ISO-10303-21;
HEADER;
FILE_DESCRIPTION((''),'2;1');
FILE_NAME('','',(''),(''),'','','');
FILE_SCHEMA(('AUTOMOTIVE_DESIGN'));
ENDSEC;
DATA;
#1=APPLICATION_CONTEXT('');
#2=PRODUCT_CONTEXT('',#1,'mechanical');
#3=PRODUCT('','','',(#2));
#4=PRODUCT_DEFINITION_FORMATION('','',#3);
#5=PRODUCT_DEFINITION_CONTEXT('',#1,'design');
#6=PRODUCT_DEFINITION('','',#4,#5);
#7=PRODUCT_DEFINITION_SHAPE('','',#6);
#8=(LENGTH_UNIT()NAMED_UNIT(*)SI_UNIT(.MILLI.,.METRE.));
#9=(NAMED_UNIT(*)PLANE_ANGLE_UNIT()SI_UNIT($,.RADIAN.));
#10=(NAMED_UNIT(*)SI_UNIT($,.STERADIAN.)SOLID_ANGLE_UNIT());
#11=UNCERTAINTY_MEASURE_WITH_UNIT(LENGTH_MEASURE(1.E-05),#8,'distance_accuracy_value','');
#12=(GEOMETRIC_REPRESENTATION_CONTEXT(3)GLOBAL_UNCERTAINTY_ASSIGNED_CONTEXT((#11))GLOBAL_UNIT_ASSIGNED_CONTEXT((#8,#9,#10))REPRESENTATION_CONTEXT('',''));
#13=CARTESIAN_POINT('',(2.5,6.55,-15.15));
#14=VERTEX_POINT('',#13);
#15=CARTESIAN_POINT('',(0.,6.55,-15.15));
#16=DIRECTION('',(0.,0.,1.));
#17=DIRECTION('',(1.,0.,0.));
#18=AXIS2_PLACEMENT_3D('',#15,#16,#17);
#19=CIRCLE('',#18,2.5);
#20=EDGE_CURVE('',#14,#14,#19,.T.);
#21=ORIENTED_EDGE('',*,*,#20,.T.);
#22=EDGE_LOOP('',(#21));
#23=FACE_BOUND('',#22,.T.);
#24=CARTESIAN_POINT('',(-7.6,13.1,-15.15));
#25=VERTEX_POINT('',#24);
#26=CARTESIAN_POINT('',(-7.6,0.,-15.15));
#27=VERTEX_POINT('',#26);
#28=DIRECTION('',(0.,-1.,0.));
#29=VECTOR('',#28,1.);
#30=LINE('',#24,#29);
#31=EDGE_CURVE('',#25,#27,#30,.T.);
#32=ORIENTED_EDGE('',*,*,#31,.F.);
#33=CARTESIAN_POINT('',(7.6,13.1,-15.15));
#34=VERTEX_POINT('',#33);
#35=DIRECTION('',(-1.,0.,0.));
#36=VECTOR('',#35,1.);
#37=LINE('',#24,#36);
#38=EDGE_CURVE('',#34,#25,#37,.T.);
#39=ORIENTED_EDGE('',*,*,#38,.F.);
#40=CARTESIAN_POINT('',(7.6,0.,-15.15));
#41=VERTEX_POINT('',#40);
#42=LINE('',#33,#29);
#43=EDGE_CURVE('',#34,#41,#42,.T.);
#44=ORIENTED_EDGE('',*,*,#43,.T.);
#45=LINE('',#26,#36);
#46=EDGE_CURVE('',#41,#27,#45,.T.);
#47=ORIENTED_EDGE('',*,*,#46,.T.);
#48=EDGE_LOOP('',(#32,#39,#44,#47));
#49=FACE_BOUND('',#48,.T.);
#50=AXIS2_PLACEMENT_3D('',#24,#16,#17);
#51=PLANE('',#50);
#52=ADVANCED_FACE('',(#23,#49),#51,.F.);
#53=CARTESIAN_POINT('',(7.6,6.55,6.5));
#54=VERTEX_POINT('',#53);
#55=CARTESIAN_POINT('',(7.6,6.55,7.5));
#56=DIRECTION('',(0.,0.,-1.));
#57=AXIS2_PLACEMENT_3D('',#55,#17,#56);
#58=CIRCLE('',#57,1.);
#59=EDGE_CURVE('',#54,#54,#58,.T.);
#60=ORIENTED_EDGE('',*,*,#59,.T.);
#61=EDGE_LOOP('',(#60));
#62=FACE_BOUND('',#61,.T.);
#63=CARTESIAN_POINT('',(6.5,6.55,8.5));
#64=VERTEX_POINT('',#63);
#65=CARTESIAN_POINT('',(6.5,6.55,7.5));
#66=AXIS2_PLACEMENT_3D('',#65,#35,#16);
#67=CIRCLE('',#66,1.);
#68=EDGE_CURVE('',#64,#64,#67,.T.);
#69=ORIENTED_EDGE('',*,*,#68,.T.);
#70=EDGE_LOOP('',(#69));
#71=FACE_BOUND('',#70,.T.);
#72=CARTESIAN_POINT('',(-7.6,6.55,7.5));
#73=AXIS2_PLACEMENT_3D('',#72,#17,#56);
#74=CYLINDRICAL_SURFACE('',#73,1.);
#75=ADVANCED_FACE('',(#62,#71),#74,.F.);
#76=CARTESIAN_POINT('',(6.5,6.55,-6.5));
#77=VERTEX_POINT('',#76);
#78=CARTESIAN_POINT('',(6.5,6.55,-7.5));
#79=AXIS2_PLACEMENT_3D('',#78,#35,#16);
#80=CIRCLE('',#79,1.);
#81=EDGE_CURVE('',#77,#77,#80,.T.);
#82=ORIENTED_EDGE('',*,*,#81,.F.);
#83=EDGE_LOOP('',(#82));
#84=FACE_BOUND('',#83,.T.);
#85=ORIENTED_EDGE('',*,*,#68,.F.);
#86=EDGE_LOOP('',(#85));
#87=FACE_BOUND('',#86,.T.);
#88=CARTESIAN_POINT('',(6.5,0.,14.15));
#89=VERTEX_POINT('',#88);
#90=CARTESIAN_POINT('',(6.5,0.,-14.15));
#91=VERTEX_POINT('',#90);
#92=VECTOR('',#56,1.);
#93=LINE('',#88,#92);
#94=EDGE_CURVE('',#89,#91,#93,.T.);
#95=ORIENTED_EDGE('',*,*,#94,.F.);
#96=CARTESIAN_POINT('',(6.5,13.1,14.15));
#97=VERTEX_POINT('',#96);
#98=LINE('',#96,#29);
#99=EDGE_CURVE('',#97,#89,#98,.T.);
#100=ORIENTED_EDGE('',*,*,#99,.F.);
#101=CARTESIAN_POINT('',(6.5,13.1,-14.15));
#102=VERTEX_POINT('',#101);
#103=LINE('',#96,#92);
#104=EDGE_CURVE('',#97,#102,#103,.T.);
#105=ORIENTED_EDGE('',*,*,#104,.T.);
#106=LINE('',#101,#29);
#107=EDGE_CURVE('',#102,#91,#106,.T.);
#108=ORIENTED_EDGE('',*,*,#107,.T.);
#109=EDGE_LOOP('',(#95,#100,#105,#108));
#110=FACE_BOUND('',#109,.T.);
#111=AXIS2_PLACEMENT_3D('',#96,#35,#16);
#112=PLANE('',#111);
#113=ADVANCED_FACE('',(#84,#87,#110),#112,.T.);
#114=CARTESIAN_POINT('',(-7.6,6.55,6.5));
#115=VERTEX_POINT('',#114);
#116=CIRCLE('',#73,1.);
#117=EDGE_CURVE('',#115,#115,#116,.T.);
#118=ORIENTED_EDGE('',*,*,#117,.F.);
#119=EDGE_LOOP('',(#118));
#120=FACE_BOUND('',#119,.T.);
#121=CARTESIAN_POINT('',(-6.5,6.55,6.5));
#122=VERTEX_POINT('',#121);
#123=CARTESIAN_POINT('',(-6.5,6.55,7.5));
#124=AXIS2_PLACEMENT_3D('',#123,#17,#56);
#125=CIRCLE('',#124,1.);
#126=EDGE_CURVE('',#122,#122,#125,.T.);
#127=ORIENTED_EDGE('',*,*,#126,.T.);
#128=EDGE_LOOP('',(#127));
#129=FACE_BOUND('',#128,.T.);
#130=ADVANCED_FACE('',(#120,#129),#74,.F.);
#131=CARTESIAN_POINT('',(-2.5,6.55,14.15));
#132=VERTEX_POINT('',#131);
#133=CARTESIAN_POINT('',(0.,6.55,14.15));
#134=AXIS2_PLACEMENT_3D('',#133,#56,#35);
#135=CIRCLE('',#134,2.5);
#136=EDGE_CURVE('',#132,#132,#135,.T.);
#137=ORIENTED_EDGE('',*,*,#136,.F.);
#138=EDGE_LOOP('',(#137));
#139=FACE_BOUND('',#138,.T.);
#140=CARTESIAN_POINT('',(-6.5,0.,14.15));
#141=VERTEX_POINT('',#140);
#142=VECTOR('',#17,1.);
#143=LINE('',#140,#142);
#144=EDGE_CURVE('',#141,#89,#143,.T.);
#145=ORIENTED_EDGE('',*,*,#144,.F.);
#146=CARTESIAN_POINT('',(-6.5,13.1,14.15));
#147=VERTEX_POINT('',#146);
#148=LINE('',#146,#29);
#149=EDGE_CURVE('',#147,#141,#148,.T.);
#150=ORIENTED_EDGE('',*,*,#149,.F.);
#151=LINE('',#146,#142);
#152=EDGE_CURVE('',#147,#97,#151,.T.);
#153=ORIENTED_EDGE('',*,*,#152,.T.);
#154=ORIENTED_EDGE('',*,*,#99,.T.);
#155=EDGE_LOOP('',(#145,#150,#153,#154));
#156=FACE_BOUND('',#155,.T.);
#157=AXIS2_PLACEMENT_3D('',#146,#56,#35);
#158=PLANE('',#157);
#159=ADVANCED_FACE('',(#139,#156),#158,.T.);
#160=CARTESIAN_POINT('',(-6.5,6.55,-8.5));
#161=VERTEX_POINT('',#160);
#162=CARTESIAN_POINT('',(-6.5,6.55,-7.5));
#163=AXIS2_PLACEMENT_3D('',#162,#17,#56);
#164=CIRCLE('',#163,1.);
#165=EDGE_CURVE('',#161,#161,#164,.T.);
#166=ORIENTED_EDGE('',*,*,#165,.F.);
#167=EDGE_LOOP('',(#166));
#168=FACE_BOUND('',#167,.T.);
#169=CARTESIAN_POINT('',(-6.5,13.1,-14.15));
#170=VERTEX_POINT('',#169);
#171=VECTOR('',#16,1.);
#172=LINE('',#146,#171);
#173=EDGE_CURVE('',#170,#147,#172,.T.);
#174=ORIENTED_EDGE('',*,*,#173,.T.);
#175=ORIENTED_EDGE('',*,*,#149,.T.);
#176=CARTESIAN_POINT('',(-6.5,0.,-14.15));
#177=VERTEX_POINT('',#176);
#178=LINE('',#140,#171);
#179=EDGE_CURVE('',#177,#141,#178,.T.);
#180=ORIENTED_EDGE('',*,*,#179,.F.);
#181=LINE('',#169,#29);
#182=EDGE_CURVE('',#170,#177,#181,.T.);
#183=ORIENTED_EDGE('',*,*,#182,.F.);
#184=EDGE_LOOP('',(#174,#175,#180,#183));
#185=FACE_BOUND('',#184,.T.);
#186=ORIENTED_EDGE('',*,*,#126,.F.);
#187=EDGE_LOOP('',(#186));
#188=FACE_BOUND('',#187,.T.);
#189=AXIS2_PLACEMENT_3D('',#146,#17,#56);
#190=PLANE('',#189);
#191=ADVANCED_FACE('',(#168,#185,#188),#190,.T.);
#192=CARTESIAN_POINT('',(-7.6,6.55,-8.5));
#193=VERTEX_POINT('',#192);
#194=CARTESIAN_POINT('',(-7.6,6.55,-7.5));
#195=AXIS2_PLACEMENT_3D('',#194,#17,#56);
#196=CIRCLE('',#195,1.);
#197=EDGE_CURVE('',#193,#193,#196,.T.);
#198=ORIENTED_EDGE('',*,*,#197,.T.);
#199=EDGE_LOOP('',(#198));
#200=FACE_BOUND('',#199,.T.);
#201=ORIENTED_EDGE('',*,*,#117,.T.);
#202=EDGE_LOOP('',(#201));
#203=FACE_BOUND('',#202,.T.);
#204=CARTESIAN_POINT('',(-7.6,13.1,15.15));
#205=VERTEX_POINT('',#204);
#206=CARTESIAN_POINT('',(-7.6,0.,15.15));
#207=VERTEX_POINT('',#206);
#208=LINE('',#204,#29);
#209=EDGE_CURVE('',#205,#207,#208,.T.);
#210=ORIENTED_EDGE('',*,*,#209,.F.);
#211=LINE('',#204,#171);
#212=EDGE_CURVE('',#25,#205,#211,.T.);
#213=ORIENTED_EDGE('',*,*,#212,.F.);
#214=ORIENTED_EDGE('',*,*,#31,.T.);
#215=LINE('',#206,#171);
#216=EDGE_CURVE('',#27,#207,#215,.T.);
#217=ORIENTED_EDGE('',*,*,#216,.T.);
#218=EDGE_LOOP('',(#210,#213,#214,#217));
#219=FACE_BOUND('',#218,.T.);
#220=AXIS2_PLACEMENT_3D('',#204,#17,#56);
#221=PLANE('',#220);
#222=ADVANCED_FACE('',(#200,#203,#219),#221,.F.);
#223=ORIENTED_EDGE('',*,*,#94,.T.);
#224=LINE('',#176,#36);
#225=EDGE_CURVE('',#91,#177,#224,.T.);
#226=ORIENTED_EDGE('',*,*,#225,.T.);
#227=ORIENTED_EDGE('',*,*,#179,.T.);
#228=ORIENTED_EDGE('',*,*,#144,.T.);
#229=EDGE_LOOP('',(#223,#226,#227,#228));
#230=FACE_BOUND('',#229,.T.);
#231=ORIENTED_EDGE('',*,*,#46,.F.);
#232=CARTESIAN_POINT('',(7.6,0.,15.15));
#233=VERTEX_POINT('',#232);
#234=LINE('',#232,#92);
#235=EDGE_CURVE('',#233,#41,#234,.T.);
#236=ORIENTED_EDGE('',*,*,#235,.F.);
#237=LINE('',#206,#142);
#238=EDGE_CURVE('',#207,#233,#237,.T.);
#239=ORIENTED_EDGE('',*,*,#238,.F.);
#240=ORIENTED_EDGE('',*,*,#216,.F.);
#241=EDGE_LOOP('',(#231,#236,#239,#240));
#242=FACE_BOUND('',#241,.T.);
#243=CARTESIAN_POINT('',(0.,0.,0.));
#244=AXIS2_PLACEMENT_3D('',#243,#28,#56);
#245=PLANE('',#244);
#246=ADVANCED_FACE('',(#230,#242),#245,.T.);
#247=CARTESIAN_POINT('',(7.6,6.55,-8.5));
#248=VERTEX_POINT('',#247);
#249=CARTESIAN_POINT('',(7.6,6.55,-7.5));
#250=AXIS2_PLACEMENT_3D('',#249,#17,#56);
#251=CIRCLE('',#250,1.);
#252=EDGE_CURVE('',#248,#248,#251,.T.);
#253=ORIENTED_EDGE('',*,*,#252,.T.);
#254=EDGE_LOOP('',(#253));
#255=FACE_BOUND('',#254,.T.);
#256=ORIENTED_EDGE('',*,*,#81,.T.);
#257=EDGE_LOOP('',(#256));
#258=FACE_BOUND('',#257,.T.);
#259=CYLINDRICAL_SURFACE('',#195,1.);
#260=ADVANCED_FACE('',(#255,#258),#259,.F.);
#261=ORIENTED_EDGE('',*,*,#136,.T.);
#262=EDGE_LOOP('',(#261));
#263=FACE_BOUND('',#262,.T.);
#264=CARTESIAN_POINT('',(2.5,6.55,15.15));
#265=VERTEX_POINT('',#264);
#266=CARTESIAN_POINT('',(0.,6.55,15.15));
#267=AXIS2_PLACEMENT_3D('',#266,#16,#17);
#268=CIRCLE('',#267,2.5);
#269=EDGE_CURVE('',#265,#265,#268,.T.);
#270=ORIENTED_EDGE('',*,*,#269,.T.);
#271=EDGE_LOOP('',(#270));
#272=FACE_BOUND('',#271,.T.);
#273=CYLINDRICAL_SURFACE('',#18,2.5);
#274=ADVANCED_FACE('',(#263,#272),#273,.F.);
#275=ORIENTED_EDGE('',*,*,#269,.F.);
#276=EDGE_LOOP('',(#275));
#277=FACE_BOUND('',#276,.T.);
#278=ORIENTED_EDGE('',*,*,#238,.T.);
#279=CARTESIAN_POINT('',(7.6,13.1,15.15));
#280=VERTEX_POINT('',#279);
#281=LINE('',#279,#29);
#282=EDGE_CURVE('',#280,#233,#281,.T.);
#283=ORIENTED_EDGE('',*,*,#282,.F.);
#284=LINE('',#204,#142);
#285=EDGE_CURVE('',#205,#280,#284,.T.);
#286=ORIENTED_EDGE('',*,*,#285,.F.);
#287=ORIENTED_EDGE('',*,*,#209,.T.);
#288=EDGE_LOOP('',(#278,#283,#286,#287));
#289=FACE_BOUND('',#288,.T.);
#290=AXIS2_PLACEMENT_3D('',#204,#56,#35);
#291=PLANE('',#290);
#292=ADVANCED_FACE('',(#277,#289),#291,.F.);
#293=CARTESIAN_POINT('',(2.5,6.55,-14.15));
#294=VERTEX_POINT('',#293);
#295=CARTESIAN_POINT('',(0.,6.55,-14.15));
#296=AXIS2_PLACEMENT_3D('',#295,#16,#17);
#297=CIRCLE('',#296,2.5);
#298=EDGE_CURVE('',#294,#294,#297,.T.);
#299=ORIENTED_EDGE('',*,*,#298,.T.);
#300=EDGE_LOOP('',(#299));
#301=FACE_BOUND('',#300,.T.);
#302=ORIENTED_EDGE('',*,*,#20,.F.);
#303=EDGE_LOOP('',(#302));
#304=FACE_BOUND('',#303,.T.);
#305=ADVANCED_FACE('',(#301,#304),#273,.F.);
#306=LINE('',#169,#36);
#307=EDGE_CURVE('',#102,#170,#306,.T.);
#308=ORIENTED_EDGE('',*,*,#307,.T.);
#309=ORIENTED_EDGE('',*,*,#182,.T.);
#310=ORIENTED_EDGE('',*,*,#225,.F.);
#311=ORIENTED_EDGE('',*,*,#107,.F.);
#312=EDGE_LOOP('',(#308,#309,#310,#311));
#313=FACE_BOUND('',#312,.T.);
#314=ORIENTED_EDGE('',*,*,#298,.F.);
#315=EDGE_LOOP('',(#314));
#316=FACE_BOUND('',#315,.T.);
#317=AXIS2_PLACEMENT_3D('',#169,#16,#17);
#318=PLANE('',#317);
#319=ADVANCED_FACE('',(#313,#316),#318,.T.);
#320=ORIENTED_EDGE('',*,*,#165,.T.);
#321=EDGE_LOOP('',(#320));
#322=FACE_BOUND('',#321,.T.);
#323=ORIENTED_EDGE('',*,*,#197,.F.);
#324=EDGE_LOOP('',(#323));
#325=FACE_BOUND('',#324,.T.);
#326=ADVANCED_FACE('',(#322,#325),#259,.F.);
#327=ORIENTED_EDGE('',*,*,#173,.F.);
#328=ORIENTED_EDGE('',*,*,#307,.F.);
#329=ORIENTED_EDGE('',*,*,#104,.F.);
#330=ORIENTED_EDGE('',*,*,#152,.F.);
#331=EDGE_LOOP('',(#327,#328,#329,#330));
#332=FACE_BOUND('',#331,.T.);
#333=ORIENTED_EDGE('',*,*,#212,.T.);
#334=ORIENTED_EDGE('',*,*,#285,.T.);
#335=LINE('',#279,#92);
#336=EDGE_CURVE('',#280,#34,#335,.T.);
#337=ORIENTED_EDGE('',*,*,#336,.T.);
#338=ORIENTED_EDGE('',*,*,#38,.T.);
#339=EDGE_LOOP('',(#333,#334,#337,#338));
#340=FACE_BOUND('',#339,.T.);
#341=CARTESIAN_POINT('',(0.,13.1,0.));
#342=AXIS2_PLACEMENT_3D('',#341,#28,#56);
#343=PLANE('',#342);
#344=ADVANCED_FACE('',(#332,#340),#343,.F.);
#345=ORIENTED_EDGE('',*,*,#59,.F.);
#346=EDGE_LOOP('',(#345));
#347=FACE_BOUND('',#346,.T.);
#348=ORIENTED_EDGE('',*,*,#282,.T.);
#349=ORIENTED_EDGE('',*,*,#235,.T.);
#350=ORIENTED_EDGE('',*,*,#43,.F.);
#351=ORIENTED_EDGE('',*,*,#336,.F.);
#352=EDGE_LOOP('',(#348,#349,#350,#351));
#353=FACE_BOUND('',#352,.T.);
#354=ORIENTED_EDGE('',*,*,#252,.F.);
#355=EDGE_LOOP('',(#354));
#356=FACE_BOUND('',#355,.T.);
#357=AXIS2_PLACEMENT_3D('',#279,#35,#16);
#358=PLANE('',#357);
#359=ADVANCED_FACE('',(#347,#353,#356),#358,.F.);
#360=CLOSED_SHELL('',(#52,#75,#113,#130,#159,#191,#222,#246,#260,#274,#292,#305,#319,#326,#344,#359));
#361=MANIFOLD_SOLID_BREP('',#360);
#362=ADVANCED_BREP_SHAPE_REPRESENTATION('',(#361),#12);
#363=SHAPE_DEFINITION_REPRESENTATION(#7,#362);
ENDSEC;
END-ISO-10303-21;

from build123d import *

# Parameters (mm, degrees)
SKETCH1_W           = 15.2
SKETCH1_H           = 30.3
SKETCH1_W_2         = 13
SKETCH1_H_2         = 28.3
BOSS_EXTRUDE1_DEPTH = 13.1
SKETCH2_R           = 1
CUT_EXTRUDE1_DEPTH  = 26.143040787
SKETCH3_R           = 2.5
CUT_EXTRUDE2_DEPTH  = 34.874178957


with BuildPart() as part:
    # Sketch1 → Boss-Extrude1 (new body)
    with BuildSketch(Plane(origin=(0, 0, 0), x_dir=(1, 0, 0), z_dir=(0, 1, 0))):
        Rectangle(SKETCH1_W, SKETCH1_H)
        Rectangle(SKETCH1_W_2, SKETCH1_H_2, mode=Mode.SUBTRACT)
    extrude(amount=BOSS_EXTRUDE1_DEPTH)

    # Sketch2 → Cut-Extrude1 (cut, through all)
    with BuildSketch(Plane(origin=(7.6, 0, 0), x_dir=(0, 0, -1), z_dir=(1, 0, 0))):
        with Locations((-7.5, 6.55)):
            Circle(SKETCH2_R)
        with Locations((7.5, 6.55)):
            Circle(SKETCH2_R)
    extrude(amount=-CUT_EXTRUDE1_DEPTH, mode=Mode.SUBTRACT)

    # Sketch3 → Cut-Extrude2 (cut, through all)
    with BuildSketch(Plane.XY.offset(15.15)):
        with Locations((0, 6.55)):
            Circle(SKETCH3_R)
    extrude(amount=-CUT_EXTRUDE2_DEPTH, mode=Mode.SUBTRACT)


solid = part.part
